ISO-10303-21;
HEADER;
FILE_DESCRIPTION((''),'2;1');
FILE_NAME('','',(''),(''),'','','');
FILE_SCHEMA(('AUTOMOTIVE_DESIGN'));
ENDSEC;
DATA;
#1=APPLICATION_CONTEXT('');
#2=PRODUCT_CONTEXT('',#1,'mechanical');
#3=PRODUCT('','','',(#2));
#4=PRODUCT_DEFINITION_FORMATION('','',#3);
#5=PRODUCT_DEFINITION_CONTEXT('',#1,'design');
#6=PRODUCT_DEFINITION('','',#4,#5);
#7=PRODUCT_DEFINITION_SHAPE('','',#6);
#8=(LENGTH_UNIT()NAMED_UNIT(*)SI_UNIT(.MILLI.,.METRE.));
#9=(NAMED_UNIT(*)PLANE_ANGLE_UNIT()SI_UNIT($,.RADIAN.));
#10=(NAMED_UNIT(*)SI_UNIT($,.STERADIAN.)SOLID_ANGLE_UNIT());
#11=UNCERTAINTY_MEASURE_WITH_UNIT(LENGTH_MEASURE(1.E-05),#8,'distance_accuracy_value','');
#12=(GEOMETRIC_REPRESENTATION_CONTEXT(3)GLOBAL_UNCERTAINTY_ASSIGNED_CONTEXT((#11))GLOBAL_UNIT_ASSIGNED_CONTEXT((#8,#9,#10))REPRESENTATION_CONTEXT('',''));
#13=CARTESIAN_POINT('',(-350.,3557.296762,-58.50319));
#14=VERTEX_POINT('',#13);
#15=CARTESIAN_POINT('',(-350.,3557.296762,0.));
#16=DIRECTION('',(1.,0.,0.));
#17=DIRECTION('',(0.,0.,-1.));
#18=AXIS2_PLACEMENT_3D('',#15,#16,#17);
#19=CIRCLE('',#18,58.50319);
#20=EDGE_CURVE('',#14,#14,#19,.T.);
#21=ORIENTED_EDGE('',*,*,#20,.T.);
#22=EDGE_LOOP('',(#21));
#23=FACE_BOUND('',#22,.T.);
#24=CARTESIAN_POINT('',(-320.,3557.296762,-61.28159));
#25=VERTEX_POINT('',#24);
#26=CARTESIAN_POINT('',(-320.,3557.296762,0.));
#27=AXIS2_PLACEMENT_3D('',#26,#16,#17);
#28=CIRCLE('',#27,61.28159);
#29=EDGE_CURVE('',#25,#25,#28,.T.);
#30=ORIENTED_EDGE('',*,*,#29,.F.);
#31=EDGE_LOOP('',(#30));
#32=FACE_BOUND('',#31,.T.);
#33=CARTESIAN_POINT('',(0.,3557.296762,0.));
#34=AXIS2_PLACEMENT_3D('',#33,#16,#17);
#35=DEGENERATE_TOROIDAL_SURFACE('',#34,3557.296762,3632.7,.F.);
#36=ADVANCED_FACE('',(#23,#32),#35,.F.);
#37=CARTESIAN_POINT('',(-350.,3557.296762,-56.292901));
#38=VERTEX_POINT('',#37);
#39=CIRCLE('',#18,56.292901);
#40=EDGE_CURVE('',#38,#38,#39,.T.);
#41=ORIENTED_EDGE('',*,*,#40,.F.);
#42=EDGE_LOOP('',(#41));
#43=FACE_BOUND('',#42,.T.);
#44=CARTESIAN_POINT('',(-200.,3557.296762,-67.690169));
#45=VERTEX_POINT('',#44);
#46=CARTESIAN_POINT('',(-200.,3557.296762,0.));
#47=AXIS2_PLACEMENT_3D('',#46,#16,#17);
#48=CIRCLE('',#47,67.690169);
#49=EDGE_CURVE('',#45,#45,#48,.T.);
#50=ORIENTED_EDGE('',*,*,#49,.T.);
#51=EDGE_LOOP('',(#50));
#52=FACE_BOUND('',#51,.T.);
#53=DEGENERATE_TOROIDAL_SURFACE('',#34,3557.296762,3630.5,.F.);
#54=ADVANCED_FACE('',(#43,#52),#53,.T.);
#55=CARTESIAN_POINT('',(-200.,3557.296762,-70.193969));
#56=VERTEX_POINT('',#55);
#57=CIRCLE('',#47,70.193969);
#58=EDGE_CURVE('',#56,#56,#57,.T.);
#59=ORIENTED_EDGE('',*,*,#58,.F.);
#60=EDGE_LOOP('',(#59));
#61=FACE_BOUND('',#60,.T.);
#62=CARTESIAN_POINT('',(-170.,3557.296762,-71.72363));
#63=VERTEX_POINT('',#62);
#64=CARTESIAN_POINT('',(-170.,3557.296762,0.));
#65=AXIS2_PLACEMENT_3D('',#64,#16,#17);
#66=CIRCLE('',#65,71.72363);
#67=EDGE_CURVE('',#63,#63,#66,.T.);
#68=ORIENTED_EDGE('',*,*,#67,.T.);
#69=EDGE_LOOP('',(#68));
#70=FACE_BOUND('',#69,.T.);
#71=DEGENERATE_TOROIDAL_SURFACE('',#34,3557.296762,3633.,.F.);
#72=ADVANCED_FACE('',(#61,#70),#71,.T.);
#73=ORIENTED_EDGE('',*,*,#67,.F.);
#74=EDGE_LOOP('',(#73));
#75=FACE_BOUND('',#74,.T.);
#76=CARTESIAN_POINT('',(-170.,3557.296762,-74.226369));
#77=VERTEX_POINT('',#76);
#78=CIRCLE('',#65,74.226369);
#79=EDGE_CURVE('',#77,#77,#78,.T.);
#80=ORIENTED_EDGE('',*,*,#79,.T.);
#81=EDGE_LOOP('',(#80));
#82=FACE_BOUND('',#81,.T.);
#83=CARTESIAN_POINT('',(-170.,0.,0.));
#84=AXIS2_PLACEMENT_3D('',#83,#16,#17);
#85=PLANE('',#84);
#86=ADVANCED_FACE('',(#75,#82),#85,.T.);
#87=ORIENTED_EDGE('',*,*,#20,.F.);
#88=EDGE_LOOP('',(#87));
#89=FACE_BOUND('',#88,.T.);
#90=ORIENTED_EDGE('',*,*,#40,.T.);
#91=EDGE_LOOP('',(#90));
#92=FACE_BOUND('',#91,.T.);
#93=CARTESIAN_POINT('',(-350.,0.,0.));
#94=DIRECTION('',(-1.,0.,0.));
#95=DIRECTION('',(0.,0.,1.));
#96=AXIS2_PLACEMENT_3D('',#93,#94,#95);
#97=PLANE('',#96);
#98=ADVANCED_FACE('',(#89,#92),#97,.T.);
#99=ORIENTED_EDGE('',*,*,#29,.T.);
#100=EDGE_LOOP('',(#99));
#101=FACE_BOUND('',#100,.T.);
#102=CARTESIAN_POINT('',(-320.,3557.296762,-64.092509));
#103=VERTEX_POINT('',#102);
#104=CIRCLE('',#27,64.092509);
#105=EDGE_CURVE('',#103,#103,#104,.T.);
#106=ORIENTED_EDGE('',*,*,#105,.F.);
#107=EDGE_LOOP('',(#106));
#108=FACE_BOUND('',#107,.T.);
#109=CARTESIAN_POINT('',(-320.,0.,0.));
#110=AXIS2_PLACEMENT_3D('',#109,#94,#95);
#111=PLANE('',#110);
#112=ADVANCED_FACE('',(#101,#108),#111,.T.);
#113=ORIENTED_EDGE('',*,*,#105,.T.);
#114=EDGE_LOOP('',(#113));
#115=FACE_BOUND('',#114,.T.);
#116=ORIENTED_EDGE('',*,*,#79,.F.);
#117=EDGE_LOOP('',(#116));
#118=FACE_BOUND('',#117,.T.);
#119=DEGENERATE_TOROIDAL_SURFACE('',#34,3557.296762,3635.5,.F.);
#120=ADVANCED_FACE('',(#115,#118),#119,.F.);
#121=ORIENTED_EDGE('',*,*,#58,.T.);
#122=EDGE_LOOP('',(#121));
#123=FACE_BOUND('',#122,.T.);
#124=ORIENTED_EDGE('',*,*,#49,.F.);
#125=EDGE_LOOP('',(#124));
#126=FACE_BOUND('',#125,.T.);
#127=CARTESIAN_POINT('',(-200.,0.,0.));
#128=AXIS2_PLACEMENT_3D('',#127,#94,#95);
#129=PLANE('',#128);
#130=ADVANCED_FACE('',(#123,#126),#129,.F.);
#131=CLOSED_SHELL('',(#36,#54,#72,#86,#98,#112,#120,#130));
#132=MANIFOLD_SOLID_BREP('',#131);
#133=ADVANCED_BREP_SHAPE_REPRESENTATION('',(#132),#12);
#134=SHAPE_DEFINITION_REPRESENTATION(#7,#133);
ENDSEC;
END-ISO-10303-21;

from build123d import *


with BuildPart() as part:
    # Sketch1 → Revolve1 (revolve)
    with BuildSketch(Plane.XY, mode=Mode.PRIVATE) as revolve1_sk:
        with BuildLine():
            Line((-170, 3629.020391235), (-170, 3631.523130864))
            ThreePointArc((-170, 3631.523130864), (-245.052389868, 3627.231668397), (-320, 3621.389270708))
            Line((-320, 3621.389270708), (-320, 3618.879522725))
            Line((-320, 3618.879522725), (-320, 3618.57835206))
            ThreePointArc((-320, 3618.57835206), (-335.002880401, 3617.220253195), (-350, 3615.799951601))
            Line((-350, 3615.799951601), (-350, 3613.589662649))
            ThreePointArc((-350, 3613.589662649), (-275.059038083, 3620.065299904), (-200, 3624.986931011))
            Line((-200, 3624.986931011), (-200, 3627.190274855))
            Line((-200, 3627.190274855), (-200, 3627.490730519))
            ThreePointArc((-200, 3627.490730519), (-185.001580981, 3628.286567381), (-170, 3629.020391235))
        make_face()
    revolve(revolve1_sk.sketch.rotate(Axis((0, 3557.296761587, 0), (-1, 0, 0)), 90), axis=Axis((0, 3557.296761587, 0), (-1, 0, 0)))


solid = part.part
